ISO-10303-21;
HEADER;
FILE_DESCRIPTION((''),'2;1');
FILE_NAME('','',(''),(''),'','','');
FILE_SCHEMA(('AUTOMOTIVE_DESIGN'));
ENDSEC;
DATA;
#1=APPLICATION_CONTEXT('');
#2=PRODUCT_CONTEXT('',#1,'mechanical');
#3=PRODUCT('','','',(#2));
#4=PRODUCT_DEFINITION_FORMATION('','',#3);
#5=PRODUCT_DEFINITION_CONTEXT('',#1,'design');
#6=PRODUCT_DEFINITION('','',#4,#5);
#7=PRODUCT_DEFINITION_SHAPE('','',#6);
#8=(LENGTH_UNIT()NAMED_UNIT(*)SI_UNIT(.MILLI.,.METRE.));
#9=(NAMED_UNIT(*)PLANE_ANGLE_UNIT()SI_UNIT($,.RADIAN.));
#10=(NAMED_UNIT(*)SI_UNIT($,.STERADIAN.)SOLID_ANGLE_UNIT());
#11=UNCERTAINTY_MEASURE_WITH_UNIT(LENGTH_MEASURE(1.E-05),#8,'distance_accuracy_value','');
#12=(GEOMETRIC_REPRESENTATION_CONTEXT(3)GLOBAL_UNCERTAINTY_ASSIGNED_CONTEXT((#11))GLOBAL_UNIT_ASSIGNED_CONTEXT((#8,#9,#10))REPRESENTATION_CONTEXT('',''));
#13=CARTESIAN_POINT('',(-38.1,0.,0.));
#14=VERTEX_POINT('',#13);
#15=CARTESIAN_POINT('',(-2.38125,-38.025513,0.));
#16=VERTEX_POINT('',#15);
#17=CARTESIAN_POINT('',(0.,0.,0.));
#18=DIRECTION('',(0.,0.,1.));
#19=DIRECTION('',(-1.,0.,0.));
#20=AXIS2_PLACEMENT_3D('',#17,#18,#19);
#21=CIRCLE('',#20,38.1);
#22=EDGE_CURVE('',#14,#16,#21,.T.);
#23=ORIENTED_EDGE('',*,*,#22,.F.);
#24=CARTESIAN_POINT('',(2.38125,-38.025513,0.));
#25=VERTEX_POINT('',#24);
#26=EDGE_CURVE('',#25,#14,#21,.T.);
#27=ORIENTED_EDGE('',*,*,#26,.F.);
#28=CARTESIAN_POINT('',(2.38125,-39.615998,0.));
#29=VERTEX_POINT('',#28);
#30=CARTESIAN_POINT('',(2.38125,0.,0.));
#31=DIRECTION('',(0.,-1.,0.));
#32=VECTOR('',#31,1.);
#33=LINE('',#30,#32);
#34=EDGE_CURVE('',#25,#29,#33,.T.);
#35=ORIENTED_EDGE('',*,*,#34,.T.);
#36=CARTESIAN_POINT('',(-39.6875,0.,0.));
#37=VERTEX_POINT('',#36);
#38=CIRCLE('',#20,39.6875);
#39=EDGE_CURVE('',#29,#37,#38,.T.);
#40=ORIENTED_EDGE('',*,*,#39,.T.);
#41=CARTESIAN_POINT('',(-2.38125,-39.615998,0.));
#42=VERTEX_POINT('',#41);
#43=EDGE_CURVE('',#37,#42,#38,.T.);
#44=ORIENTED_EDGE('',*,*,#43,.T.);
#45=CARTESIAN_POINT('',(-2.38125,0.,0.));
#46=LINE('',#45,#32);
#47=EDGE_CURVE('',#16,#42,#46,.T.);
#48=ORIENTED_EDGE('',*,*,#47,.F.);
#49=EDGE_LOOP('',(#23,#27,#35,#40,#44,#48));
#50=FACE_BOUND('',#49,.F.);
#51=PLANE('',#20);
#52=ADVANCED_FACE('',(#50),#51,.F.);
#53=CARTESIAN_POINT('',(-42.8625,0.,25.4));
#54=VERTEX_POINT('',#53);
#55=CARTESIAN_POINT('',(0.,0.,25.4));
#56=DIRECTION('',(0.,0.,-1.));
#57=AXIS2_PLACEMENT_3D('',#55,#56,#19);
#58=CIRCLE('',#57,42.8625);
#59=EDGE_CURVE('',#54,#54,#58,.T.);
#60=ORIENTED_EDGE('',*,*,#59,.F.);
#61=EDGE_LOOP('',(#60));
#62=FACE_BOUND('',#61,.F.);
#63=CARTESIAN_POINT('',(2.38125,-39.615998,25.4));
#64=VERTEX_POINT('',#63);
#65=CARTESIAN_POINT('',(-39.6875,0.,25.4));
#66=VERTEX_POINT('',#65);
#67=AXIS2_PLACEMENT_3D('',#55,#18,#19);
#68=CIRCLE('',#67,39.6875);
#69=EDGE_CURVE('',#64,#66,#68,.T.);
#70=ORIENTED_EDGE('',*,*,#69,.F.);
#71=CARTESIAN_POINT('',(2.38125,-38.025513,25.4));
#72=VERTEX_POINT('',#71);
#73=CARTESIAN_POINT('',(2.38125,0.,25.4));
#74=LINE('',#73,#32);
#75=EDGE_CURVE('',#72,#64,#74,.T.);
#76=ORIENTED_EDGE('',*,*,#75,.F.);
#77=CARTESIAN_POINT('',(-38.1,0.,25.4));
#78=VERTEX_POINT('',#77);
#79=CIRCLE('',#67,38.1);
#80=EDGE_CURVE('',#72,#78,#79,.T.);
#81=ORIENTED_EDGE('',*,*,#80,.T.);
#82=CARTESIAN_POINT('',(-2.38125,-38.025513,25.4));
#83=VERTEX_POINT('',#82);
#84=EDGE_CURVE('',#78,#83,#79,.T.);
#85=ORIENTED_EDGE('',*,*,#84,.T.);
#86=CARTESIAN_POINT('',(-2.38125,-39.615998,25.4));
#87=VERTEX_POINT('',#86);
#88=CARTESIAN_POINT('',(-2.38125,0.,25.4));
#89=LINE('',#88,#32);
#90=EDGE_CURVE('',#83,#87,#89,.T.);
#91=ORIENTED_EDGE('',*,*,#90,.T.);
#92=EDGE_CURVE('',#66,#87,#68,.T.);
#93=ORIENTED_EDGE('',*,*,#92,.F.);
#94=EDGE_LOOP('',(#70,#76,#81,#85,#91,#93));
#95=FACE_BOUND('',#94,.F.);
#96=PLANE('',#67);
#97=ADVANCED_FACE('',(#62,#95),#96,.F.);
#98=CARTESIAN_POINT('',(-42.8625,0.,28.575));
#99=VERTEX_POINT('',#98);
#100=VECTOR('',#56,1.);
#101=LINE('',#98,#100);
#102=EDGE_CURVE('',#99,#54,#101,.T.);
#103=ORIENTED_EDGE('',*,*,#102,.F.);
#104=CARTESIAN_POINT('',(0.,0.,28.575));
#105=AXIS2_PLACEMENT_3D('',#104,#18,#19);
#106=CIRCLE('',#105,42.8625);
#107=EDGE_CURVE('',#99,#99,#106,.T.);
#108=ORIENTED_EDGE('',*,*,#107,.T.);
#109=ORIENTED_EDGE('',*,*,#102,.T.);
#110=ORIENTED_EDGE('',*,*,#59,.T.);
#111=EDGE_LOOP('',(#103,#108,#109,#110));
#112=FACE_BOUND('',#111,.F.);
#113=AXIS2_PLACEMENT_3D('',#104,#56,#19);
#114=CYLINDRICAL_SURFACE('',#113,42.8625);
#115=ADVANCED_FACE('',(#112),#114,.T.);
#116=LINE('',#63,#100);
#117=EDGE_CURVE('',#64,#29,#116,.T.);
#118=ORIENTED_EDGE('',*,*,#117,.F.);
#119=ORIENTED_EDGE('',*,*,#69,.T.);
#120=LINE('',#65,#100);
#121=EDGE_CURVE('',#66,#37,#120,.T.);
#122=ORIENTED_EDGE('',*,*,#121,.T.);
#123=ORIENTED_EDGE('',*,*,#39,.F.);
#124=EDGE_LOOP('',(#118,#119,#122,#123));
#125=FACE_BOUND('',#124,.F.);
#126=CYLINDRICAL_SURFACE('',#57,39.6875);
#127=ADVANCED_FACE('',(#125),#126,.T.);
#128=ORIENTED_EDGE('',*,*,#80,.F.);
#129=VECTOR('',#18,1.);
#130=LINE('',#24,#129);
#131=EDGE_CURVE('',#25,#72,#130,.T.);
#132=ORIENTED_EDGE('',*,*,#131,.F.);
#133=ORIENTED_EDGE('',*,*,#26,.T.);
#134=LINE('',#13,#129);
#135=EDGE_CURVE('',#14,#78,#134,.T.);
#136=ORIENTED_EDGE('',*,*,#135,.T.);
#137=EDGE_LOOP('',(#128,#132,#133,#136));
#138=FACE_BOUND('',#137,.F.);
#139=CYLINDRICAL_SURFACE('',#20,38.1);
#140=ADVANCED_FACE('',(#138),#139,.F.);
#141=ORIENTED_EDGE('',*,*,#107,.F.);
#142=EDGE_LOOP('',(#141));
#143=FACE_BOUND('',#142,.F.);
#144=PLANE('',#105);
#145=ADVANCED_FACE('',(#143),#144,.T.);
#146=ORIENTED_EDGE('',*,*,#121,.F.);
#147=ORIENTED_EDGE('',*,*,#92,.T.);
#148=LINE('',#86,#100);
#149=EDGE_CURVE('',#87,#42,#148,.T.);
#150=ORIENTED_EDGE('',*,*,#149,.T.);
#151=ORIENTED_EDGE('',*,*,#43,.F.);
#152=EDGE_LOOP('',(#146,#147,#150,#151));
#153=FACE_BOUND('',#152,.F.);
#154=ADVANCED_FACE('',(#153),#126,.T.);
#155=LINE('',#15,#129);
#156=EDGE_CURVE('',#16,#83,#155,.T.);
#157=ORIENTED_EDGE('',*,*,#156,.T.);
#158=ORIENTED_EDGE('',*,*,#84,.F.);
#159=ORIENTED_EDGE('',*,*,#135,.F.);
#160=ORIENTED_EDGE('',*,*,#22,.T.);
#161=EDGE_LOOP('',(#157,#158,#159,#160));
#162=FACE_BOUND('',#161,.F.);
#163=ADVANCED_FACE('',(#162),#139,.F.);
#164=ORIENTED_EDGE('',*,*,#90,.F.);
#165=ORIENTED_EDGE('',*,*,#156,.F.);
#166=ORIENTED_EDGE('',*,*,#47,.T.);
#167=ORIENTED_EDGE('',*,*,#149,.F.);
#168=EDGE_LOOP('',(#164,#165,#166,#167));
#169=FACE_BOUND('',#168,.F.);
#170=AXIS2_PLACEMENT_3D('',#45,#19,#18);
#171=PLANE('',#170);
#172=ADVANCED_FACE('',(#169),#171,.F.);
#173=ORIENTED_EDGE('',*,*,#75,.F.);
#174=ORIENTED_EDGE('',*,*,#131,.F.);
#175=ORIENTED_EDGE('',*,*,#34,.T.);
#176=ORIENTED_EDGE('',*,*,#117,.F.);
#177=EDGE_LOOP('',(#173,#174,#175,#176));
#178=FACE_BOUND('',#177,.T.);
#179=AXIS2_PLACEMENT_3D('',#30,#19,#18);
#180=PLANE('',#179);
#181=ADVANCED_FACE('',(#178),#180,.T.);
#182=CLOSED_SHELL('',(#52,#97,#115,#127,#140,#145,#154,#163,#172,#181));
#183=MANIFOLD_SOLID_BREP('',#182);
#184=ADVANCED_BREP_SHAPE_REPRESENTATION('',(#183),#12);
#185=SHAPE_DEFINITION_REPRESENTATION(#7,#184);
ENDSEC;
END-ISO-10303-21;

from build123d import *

# Parameters (mm, degrees)
F2_W     = 4.7625
F2_H     = 25.4
F3_DEPTH = 42.8635


with BuildPart() as f1:
    # F0 (on Front) → F1 (revolve)
    with BuildSketch(Plane.XZ):
        Polygon((-39.6875, 0), (-38.1, 0), (-38.1, 25.4), (0, 25.4), (0, 28.575), (-42.8625, 28.575), (-42.8625, 25.4), (-39.6875, 25.4), align=None)
    revolve(axis=Axis((0, 0, 14.2875), (0, 0, 1)))

    # F2 (on Front) → F3 (cut, through all)
    with BuildSketch(Plane.XZ):
        with Locations((0, 12.7)):
            Rectangle(F2_W, F2_H)
    extrude(amount=F3_DEPTH, mode=Mode.SUBTRACT)


solid = f1.part
